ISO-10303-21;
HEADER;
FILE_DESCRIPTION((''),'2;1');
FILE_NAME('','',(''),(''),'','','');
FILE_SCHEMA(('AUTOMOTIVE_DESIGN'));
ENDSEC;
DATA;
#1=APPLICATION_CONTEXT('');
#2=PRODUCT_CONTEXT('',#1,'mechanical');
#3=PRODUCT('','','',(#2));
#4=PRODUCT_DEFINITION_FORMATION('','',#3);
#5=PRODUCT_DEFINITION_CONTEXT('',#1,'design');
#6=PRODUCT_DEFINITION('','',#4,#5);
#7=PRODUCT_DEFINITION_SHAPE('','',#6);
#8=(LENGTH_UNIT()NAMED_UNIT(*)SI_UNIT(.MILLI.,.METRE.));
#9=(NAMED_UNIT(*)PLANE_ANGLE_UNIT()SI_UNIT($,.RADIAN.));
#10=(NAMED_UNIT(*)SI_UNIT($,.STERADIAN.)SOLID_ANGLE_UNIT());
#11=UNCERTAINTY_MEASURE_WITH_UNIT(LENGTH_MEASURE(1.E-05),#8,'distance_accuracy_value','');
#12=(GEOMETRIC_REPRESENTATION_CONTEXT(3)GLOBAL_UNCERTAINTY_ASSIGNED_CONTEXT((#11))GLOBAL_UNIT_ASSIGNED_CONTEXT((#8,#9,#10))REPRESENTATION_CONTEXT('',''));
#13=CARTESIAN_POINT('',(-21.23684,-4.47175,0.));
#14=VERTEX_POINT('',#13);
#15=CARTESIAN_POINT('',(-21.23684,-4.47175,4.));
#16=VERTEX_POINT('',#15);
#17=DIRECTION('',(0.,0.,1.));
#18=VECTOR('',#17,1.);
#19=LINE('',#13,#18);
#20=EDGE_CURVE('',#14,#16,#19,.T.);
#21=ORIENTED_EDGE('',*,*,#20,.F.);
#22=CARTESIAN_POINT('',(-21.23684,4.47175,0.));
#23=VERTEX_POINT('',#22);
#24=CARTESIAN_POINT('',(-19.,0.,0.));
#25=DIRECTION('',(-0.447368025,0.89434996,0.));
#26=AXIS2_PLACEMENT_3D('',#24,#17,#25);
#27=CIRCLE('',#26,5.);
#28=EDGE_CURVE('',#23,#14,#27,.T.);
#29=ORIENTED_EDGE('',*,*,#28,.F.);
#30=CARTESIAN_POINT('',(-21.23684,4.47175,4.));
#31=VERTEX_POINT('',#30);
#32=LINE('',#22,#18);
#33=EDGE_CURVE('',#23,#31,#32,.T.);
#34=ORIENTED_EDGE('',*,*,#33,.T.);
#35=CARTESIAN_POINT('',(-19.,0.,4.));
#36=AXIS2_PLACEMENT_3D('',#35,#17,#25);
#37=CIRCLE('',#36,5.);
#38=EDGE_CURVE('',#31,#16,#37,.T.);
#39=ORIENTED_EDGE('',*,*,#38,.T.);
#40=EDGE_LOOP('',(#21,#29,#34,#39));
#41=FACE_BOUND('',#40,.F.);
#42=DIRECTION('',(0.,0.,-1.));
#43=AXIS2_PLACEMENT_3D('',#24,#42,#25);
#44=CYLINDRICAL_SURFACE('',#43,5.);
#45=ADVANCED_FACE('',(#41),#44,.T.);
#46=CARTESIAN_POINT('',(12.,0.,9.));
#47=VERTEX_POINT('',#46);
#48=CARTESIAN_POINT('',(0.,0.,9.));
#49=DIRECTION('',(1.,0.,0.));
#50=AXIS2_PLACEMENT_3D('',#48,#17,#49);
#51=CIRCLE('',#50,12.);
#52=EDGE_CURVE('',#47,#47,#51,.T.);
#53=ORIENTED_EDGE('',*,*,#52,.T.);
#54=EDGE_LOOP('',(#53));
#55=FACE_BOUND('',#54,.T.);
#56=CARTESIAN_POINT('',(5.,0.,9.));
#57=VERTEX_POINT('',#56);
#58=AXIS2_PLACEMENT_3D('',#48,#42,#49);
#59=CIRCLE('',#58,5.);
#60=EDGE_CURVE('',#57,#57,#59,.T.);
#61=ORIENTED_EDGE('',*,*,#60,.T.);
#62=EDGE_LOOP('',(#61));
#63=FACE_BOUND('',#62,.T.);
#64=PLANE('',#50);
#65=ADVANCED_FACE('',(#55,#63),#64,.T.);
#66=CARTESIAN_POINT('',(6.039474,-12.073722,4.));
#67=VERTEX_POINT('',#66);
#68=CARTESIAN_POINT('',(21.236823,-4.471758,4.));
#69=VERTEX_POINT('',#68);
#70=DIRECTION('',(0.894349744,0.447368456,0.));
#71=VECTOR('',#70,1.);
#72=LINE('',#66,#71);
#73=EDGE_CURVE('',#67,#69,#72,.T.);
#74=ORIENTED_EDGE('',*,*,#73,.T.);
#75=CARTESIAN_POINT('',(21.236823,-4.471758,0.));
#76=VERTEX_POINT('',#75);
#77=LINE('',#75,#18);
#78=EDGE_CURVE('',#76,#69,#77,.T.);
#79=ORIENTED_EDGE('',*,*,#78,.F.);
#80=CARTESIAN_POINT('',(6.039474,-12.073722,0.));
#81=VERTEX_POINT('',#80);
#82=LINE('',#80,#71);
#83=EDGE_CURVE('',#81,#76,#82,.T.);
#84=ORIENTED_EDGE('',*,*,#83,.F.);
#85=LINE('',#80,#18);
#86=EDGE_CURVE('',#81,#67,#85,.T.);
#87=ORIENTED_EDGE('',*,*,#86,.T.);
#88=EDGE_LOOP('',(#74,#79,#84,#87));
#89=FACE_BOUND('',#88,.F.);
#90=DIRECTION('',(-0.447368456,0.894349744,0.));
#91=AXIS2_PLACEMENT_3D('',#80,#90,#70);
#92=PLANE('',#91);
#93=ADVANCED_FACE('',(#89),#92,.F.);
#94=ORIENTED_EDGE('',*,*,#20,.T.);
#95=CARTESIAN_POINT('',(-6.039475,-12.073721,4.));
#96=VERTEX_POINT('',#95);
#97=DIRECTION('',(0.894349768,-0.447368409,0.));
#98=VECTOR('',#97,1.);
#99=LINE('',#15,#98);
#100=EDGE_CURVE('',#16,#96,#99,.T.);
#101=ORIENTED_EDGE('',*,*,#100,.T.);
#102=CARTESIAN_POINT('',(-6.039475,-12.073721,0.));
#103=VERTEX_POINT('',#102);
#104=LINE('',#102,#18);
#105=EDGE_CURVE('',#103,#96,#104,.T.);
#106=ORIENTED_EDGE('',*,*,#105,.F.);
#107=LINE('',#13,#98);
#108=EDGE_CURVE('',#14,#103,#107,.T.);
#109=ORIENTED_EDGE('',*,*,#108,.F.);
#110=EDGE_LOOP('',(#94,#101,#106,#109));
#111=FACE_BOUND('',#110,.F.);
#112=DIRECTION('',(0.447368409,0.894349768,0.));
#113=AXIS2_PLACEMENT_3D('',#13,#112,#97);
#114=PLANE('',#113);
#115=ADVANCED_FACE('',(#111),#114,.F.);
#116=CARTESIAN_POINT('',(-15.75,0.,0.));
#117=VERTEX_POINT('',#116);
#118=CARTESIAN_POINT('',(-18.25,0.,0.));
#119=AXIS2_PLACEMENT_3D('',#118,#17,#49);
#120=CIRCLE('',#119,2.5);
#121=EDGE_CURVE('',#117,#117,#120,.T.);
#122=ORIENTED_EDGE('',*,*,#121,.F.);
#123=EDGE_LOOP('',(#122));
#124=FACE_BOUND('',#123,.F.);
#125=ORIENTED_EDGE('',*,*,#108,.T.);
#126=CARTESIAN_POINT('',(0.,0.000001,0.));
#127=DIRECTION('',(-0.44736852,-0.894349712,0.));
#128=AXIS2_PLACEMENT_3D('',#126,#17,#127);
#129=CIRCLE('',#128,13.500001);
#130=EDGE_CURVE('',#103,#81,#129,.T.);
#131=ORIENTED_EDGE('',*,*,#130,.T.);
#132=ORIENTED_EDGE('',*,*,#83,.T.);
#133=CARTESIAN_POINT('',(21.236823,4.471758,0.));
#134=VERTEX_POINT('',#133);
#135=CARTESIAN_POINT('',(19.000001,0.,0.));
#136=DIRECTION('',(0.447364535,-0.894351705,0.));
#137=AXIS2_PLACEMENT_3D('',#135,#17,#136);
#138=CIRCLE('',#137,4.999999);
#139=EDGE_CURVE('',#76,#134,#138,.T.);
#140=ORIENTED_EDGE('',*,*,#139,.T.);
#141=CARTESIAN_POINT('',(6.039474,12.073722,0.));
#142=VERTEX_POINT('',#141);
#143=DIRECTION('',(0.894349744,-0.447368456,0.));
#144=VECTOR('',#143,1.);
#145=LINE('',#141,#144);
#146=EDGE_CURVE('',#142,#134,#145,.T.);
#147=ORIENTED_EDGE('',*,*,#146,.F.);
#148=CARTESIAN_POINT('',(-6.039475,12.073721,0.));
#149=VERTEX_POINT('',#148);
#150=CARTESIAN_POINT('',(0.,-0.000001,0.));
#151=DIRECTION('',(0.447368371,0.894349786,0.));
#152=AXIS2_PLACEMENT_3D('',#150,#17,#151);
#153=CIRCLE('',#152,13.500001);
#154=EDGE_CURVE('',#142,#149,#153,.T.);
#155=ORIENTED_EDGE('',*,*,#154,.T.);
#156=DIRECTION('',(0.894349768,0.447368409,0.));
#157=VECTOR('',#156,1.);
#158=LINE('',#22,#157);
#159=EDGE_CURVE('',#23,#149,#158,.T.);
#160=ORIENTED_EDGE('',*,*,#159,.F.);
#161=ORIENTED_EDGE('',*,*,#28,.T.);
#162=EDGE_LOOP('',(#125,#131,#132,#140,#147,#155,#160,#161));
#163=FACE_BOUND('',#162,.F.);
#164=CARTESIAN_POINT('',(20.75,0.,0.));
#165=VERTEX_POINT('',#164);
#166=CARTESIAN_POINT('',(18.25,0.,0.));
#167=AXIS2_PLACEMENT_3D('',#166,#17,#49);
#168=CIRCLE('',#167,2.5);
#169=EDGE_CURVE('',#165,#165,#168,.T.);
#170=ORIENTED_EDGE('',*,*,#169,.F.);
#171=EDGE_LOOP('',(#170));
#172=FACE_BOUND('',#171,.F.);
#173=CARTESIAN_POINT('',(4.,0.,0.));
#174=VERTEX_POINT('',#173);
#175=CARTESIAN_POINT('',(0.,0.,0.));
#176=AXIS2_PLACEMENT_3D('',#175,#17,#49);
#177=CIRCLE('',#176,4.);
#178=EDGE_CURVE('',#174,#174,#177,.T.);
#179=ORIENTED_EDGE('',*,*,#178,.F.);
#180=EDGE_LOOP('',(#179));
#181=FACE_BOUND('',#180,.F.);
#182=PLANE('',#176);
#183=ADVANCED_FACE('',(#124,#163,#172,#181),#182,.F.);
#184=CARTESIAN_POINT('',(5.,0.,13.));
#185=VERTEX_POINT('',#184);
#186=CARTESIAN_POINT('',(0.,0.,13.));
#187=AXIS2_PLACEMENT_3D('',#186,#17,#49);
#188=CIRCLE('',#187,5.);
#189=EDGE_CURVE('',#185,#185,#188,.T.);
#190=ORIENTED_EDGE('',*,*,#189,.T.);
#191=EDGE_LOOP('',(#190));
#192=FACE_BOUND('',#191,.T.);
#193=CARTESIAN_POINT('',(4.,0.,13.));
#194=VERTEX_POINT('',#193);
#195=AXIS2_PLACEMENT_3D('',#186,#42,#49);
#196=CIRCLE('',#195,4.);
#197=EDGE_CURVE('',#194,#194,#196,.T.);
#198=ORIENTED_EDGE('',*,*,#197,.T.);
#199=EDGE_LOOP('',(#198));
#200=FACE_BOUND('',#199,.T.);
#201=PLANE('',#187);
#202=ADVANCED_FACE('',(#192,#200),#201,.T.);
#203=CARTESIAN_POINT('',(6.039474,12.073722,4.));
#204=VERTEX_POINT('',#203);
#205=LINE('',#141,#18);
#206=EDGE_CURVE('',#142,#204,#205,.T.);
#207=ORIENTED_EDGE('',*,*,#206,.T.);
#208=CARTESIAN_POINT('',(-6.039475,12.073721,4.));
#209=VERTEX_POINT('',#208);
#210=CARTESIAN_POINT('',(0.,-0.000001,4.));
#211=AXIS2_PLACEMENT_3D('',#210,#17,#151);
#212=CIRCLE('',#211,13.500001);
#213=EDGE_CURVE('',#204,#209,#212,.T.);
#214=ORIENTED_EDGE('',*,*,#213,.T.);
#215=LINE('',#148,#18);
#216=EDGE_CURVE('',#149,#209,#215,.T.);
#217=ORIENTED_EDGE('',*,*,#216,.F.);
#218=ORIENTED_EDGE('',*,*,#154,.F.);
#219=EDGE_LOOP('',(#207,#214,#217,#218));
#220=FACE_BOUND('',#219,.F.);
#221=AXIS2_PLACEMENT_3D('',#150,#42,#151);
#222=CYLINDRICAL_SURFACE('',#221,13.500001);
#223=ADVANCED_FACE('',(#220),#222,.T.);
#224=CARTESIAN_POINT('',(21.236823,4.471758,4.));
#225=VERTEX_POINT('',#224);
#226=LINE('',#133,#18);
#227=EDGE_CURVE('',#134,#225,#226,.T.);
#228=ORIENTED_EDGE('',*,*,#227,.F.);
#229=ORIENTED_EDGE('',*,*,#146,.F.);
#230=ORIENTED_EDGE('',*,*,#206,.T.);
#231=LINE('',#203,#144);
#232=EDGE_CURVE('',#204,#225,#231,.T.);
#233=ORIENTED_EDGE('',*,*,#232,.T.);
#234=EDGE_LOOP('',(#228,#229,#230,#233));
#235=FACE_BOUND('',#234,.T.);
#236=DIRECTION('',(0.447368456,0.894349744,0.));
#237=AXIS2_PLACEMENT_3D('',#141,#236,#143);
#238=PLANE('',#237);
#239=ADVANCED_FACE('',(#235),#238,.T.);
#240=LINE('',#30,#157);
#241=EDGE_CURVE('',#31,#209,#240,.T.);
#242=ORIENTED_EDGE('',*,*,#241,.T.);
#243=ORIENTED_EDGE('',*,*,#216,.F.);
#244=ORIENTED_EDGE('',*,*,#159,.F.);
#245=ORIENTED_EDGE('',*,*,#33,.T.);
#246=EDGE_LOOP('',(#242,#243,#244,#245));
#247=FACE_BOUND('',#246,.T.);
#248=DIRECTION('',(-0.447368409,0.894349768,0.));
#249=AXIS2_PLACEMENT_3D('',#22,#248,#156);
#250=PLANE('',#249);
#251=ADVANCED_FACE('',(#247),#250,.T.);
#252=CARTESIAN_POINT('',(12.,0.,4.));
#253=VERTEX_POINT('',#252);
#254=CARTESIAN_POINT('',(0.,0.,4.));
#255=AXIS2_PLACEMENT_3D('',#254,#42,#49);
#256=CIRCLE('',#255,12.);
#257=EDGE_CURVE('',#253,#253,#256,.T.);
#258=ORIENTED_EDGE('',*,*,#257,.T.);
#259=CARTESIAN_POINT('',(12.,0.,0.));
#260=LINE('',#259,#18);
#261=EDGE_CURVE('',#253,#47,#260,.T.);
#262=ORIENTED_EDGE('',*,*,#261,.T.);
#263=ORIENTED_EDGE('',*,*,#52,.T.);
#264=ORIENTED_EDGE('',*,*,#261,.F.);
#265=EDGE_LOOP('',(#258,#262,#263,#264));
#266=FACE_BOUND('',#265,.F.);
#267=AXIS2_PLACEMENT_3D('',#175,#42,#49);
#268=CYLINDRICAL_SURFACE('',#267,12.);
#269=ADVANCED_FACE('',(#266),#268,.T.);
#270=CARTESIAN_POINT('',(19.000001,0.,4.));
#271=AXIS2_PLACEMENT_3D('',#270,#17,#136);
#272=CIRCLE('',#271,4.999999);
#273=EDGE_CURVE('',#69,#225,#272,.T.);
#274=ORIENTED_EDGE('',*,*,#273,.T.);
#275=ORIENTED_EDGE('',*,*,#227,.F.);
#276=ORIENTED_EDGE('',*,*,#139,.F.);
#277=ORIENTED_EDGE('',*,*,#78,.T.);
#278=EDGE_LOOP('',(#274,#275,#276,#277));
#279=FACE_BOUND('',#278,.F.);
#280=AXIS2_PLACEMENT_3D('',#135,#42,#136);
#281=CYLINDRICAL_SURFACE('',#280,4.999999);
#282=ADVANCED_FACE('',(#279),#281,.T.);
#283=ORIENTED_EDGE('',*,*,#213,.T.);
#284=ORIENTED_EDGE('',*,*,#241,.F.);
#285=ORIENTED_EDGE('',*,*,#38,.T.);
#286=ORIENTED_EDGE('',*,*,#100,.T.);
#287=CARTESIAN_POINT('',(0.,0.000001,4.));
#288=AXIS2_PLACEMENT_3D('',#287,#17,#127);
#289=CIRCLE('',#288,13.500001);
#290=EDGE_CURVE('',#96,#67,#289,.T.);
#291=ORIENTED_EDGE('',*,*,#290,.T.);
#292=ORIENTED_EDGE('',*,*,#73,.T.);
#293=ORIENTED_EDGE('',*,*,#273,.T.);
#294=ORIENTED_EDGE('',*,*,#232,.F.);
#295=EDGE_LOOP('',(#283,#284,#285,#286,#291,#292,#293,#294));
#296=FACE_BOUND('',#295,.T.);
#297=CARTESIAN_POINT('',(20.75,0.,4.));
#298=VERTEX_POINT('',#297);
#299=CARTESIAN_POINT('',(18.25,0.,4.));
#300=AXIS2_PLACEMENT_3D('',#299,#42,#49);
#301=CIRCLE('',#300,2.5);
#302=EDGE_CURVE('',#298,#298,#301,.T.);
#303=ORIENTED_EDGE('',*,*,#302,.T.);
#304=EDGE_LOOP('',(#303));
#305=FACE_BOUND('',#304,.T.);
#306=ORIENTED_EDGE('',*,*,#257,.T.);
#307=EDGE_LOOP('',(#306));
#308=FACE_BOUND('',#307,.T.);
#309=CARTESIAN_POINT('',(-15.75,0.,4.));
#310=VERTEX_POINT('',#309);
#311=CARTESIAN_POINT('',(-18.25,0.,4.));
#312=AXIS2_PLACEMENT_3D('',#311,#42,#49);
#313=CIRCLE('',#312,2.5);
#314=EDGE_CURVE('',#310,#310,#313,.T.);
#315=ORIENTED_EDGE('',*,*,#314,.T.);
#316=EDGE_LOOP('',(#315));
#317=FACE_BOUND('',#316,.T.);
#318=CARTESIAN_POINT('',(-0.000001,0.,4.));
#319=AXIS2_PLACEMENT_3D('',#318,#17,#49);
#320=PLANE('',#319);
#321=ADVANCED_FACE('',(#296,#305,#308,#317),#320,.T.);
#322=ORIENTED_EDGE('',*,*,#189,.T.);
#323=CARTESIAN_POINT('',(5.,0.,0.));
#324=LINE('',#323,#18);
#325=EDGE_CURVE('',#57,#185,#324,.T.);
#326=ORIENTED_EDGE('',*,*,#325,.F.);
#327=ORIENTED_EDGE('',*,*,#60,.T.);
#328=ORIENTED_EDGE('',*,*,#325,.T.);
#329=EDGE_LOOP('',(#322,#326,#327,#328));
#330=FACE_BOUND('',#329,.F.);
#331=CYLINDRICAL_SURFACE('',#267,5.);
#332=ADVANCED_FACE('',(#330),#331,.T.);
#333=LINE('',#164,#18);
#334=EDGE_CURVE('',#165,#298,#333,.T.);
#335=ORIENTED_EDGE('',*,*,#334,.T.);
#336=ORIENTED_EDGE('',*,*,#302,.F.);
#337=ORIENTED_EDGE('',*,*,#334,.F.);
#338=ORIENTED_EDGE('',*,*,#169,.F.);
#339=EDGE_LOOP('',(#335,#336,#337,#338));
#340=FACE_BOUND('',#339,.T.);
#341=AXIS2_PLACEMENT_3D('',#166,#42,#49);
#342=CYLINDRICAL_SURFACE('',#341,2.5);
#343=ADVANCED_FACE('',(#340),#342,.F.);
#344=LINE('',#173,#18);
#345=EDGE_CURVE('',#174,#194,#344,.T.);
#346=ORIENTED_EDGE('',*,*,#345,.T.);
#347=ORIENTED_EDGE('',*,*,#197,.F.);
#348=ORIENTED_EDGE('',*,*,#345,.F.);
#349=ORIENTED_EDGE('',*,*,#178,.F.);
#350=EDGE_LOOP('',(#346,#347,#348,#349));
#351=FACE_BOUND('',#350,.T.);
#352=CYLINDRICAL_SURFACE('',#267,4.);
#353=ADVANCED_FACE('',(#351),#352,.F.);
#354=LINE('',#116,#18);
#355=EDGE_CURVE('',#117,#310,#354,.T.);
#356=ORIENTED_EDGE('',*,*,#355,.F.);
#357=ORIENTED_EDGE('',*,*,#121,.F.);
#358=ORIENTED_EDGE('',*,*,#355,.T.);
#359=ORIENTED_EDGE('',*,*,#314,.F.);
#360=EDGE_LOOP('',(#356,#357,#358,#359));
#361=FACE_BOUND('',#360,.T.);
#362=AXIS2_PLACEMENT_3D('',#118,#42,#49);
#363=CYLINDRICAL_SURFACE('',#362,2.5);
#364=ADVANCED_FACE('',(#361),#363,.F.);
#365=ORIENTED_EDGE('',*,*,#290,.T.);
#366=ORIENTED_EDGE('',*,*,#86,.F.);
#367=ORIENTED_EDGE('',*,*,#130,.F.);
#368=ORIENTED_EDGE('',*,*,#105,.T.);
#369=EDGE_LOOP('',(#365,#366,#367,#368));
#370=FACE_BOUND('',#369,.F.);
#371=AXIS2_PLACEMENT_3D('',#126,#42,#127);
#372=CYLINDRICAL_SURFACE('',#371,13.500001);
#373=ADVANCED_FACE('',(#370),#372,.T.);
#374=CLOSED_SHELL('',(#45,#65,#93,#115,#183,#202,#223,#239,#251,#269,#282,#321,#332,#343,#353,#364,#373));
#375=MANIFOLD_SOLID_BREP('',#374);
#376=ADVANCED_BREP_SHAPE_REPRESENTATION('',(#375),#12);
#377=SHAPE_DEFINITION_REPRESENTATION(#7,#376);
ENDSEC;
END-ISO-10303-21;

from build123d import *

# Parameters (mm, degrees)
PAD003_DEPTH      = 4
SKETCH002_R       = 12
PAD_DEPTH         = 9
SKETCH003_R       = 5
PAD004_DEPTH      = 13
SKETCH001_R       = 4
SKETCH001_R_2     = 2.5
POCKET_DEPTH      = 0.001
POCKET_DEPTH_BACK = -13.001


with BuildPart() as part:
    # Sketch004 → Pad003 (new body)
    with BuildSketch(Plane.XY):
        with BuildLine():
            ThreePointArc((-21.23684, 4.47175), (-24, 0), (-21.23684, -4.47175))
            Line((-21.23684, -4.47175), (-6.039475, -12.073721))
            ThreePointArc((-6.039475, -12.073721), (0, -13.5), (6.039474, -12.073722))
            Line((6.039474, -12.073722), (21.236823, -4.471758))
            ThreePointArc((21.236823, -4.471758), (24, 0), (21.236823, 4.471758))
            Line((6.039474, 12.073722), (21.236823, 4.471758))
            ThreePointArc((6.039474, 12.073722), (0, 13.5), (-6.039475, 12.073721))
            Line((-21.23684, 4.47175), (-6.039475, 12.073721))
        make_face()
    extrude(amount=PAD003_DEPTH)

    # Sketch002 → Pad (join)
    with BuildSketch(Plane.XY):
        Circle(SKETCH002_R)
    extrude(amount=PAD_DEPTH)

    # Sketch003 → Pad004 (join)
    with BuildSketch(Plane.XY):
        Circle(SKETCH003_R)
    extrude(amount=PAD004_DEPTH)

    # Sketch001 → Pocket (cut, two sides)
    with BuildSketch(Plane.XY) as pocket_sk:
        Circle(SKETCH001_R)
        with Locations((18.25, 0)):
            Circle(SKETCH001_R_2)
        with Locations((-18.25, 0)):
            Circle(SKETCH001_R_2)
    extrude(amount=-POCKET_DEPTH, mode=Mode.SUBTRACT)
    extrude(pocket_sk.sketch, amount=-POCKET_DEPTH_BACK, mode=Mode.SUBTRACT)


solid = part.part
